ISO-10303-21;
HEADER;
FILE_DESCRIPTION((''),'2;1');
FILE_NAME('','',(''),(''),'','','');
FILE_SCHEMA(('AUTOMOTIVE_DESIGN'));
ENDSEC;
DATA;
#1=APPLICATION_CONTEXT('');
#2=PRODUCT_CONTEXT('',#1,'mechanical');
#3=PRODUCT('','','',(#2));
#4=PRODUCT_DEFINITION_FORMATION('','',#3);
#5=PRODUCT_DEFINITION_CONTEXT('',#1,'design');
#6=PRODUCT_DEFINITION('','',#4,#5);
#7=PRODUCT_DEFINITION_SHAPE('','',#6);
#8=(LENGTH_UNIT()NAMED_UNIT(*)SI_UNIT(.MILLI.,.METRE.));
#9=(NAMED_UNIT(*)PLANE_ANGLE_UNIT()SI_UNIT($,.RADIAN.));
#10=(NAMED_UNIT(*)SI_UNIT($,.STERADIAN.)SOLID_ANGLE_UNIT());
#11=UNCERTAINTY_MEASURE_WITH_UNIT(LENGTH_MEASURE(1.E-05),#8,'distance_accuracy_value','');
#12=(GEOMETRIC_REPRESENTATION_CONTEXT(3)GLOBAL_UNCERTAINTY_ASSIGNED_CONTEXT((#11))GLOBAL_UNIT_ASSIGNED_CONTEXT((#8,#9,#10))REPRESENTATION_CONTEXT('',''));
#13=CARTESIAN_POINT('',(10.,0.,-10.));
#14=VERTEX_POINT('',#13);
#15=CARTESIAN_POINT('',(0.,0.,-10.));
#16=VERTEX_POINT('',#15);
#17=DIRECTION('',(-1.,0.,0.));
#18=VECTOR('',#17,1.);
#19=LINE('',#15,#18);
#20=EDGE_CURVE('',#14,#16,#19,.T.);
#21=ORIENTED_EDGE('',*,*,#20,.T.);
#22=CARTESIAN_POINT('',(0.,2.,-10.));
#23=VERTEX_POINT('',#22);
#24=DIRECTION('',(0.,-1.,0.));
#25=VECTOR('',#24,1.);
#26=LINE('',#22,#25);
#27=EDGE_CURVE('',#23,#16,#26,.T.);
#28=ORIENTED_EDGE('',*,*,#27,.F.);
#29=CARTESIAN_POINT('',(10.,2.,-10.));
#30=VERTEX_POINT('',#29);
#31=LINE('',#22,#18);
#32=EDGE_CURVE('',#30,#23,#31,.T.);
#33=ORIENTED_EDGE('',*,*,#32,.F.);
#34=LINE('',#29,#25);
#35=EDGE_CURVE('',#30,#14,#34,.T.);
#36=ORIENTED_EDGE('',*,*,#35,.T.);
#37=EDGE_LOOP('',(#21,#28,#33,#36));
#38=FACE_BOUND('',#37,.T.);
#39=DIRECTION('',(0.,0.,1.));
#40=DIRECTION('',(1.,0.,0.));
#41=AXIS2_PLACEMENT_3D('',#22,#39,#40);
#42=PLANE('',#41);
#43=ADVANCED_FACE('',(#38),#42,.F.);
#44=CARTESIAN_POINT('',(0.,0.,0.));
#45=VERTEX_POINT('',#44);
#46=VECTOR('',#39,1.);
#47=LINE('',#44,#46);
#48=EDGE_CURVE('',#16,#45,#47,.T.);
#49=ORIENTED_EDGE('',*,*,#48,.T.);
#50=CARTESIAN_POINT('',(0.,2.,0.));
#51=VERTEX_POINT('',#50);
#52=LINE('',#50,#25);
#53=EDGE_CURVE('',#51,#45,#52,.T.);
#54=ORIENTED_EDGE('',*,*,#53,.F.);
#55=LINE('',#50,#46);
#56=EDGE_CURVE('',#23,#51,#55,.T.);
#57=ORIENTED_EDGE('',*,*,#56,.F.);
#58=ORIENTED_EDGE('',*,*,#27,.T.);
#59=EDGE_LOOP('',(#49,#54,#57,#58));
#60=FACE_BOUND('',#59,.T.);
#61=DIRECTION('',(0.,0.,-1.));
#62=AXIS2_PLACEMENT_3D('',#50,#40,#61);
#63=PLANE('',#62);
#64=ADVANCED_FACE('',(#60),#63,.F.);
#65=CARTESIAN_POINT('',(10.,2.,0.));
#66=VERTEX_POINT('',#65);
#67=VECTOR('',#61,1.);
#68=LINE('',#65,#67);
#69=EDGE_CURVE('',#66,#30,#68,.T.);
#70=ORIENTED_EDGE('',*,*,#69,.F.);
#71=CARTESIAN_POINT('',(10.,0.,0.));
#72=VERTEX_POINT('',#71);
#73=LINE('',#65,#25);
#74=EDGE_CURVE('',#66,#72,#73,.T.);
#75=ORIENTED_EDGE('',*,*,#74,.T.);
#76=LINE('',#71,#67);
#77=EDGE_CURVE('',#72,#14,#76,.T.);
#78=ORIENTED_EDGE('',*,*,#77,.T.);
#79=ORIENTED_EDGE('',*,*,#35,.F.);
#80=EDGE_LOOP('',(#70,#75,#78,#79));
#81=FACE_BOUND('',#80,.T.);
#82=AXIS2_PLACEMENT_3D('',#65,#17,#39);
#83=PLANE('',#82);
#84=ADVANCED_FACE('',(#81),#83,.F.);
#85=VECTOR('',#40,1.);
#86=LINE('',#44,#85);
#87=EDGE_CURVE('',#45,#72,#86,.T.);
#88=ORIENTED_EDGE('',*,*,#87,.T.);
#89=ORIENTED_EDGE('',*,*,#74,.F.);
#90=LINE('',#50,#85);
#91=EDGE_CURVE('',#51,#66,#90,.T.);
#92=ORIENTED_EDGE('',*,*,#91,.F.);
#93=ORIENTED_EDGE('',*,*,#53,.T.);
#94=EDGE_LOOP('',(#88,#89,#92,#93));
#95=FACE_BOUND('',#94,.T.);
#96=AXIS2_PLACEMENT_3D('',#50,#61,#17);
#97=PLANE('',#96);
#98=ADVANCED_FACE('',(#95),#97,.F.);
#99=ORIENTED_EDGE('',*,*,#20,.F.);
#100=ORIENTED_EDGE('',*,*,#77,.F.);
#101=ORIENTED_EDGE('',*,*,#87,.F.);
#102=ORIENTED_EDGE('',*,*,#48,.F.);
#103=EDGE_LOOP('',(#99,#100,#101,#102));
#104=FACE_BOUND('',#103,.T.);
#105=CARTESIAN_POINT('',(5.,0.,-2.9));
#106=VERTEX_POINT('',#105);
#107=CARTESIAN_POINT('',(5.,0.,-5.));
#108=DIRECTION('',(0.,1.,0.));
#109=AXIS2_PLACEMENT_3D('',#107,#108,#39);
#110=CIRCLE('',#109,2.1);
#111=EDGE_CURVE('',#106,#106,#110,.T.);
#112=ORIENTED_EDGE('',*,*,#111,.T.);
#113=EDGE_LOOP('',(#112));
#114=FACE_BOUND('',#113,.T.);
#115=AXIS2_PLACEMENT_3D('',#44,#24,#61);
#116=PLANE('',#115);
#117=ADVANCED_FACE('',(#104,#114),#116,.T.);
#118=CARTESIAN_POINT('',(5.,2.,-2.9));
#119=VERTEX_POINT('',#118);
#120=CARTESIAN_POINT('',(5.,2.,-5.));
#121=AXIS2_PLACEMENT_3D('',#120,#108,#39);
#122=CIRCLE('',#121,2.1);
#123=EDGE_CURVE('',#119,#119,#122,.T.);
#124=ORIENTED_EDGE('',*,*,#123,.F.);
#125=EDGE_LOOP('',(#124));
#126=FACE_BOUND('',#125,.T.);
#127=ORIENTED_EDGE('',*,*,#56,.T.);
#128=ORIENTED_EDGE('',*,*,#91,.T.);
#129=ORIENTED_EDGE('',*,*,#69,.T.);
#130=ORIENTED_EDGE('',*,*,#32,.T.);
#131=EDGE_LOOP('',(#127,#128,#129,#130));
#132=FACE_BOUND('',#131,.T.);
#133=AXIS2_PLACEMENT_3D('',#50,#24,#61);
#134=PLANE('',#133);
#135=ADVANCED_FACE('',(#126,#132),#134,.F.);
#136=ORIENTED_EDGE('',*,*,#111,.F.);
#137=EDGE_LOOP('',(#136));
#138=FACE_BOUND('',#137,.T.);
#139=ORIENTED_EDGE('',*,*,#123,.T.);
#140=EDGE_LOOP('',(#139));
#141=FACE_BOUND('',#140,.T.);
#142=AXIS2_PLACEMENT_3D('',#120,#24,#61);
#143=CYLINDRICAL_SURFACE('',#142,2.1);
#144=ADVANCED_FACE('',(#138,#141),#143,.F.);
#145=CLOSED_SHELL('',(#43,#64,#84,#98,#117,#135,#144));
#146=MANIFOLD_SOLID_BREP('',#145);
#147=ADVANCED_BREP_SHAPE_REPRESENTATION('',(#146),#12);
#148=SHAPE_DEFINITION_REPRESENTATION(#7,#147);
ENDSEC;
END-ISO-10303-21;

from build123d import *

# Parameters (mm, degrees)
SKETCH1_W           = 10
SKETCH1_H           = 10
SKETCH1_R           = 2.1
BOSS_EXTRUDE1_DEPTH = 2


with BuildPart() as part:
    # Sketch1 → Boss-Extrude1 (new body)
    with BuildSketch(Plane(origin=(0, 0, 0), x_dir=(1, 0, 0), z_dir=(0, 1, 0))):
        with Locations((5, 5)):
            Rectangle(SKETCH1_W, SKETCH1_H)
        with Locations(Location((5, 5, 0), (0, 0, 270))):
            Circle(SKETCH1_R, mode=Mode.SUBTRACT)
    extrude(amount=BOSS_EXTRUDE1_DEPTH)


solid = part.part
